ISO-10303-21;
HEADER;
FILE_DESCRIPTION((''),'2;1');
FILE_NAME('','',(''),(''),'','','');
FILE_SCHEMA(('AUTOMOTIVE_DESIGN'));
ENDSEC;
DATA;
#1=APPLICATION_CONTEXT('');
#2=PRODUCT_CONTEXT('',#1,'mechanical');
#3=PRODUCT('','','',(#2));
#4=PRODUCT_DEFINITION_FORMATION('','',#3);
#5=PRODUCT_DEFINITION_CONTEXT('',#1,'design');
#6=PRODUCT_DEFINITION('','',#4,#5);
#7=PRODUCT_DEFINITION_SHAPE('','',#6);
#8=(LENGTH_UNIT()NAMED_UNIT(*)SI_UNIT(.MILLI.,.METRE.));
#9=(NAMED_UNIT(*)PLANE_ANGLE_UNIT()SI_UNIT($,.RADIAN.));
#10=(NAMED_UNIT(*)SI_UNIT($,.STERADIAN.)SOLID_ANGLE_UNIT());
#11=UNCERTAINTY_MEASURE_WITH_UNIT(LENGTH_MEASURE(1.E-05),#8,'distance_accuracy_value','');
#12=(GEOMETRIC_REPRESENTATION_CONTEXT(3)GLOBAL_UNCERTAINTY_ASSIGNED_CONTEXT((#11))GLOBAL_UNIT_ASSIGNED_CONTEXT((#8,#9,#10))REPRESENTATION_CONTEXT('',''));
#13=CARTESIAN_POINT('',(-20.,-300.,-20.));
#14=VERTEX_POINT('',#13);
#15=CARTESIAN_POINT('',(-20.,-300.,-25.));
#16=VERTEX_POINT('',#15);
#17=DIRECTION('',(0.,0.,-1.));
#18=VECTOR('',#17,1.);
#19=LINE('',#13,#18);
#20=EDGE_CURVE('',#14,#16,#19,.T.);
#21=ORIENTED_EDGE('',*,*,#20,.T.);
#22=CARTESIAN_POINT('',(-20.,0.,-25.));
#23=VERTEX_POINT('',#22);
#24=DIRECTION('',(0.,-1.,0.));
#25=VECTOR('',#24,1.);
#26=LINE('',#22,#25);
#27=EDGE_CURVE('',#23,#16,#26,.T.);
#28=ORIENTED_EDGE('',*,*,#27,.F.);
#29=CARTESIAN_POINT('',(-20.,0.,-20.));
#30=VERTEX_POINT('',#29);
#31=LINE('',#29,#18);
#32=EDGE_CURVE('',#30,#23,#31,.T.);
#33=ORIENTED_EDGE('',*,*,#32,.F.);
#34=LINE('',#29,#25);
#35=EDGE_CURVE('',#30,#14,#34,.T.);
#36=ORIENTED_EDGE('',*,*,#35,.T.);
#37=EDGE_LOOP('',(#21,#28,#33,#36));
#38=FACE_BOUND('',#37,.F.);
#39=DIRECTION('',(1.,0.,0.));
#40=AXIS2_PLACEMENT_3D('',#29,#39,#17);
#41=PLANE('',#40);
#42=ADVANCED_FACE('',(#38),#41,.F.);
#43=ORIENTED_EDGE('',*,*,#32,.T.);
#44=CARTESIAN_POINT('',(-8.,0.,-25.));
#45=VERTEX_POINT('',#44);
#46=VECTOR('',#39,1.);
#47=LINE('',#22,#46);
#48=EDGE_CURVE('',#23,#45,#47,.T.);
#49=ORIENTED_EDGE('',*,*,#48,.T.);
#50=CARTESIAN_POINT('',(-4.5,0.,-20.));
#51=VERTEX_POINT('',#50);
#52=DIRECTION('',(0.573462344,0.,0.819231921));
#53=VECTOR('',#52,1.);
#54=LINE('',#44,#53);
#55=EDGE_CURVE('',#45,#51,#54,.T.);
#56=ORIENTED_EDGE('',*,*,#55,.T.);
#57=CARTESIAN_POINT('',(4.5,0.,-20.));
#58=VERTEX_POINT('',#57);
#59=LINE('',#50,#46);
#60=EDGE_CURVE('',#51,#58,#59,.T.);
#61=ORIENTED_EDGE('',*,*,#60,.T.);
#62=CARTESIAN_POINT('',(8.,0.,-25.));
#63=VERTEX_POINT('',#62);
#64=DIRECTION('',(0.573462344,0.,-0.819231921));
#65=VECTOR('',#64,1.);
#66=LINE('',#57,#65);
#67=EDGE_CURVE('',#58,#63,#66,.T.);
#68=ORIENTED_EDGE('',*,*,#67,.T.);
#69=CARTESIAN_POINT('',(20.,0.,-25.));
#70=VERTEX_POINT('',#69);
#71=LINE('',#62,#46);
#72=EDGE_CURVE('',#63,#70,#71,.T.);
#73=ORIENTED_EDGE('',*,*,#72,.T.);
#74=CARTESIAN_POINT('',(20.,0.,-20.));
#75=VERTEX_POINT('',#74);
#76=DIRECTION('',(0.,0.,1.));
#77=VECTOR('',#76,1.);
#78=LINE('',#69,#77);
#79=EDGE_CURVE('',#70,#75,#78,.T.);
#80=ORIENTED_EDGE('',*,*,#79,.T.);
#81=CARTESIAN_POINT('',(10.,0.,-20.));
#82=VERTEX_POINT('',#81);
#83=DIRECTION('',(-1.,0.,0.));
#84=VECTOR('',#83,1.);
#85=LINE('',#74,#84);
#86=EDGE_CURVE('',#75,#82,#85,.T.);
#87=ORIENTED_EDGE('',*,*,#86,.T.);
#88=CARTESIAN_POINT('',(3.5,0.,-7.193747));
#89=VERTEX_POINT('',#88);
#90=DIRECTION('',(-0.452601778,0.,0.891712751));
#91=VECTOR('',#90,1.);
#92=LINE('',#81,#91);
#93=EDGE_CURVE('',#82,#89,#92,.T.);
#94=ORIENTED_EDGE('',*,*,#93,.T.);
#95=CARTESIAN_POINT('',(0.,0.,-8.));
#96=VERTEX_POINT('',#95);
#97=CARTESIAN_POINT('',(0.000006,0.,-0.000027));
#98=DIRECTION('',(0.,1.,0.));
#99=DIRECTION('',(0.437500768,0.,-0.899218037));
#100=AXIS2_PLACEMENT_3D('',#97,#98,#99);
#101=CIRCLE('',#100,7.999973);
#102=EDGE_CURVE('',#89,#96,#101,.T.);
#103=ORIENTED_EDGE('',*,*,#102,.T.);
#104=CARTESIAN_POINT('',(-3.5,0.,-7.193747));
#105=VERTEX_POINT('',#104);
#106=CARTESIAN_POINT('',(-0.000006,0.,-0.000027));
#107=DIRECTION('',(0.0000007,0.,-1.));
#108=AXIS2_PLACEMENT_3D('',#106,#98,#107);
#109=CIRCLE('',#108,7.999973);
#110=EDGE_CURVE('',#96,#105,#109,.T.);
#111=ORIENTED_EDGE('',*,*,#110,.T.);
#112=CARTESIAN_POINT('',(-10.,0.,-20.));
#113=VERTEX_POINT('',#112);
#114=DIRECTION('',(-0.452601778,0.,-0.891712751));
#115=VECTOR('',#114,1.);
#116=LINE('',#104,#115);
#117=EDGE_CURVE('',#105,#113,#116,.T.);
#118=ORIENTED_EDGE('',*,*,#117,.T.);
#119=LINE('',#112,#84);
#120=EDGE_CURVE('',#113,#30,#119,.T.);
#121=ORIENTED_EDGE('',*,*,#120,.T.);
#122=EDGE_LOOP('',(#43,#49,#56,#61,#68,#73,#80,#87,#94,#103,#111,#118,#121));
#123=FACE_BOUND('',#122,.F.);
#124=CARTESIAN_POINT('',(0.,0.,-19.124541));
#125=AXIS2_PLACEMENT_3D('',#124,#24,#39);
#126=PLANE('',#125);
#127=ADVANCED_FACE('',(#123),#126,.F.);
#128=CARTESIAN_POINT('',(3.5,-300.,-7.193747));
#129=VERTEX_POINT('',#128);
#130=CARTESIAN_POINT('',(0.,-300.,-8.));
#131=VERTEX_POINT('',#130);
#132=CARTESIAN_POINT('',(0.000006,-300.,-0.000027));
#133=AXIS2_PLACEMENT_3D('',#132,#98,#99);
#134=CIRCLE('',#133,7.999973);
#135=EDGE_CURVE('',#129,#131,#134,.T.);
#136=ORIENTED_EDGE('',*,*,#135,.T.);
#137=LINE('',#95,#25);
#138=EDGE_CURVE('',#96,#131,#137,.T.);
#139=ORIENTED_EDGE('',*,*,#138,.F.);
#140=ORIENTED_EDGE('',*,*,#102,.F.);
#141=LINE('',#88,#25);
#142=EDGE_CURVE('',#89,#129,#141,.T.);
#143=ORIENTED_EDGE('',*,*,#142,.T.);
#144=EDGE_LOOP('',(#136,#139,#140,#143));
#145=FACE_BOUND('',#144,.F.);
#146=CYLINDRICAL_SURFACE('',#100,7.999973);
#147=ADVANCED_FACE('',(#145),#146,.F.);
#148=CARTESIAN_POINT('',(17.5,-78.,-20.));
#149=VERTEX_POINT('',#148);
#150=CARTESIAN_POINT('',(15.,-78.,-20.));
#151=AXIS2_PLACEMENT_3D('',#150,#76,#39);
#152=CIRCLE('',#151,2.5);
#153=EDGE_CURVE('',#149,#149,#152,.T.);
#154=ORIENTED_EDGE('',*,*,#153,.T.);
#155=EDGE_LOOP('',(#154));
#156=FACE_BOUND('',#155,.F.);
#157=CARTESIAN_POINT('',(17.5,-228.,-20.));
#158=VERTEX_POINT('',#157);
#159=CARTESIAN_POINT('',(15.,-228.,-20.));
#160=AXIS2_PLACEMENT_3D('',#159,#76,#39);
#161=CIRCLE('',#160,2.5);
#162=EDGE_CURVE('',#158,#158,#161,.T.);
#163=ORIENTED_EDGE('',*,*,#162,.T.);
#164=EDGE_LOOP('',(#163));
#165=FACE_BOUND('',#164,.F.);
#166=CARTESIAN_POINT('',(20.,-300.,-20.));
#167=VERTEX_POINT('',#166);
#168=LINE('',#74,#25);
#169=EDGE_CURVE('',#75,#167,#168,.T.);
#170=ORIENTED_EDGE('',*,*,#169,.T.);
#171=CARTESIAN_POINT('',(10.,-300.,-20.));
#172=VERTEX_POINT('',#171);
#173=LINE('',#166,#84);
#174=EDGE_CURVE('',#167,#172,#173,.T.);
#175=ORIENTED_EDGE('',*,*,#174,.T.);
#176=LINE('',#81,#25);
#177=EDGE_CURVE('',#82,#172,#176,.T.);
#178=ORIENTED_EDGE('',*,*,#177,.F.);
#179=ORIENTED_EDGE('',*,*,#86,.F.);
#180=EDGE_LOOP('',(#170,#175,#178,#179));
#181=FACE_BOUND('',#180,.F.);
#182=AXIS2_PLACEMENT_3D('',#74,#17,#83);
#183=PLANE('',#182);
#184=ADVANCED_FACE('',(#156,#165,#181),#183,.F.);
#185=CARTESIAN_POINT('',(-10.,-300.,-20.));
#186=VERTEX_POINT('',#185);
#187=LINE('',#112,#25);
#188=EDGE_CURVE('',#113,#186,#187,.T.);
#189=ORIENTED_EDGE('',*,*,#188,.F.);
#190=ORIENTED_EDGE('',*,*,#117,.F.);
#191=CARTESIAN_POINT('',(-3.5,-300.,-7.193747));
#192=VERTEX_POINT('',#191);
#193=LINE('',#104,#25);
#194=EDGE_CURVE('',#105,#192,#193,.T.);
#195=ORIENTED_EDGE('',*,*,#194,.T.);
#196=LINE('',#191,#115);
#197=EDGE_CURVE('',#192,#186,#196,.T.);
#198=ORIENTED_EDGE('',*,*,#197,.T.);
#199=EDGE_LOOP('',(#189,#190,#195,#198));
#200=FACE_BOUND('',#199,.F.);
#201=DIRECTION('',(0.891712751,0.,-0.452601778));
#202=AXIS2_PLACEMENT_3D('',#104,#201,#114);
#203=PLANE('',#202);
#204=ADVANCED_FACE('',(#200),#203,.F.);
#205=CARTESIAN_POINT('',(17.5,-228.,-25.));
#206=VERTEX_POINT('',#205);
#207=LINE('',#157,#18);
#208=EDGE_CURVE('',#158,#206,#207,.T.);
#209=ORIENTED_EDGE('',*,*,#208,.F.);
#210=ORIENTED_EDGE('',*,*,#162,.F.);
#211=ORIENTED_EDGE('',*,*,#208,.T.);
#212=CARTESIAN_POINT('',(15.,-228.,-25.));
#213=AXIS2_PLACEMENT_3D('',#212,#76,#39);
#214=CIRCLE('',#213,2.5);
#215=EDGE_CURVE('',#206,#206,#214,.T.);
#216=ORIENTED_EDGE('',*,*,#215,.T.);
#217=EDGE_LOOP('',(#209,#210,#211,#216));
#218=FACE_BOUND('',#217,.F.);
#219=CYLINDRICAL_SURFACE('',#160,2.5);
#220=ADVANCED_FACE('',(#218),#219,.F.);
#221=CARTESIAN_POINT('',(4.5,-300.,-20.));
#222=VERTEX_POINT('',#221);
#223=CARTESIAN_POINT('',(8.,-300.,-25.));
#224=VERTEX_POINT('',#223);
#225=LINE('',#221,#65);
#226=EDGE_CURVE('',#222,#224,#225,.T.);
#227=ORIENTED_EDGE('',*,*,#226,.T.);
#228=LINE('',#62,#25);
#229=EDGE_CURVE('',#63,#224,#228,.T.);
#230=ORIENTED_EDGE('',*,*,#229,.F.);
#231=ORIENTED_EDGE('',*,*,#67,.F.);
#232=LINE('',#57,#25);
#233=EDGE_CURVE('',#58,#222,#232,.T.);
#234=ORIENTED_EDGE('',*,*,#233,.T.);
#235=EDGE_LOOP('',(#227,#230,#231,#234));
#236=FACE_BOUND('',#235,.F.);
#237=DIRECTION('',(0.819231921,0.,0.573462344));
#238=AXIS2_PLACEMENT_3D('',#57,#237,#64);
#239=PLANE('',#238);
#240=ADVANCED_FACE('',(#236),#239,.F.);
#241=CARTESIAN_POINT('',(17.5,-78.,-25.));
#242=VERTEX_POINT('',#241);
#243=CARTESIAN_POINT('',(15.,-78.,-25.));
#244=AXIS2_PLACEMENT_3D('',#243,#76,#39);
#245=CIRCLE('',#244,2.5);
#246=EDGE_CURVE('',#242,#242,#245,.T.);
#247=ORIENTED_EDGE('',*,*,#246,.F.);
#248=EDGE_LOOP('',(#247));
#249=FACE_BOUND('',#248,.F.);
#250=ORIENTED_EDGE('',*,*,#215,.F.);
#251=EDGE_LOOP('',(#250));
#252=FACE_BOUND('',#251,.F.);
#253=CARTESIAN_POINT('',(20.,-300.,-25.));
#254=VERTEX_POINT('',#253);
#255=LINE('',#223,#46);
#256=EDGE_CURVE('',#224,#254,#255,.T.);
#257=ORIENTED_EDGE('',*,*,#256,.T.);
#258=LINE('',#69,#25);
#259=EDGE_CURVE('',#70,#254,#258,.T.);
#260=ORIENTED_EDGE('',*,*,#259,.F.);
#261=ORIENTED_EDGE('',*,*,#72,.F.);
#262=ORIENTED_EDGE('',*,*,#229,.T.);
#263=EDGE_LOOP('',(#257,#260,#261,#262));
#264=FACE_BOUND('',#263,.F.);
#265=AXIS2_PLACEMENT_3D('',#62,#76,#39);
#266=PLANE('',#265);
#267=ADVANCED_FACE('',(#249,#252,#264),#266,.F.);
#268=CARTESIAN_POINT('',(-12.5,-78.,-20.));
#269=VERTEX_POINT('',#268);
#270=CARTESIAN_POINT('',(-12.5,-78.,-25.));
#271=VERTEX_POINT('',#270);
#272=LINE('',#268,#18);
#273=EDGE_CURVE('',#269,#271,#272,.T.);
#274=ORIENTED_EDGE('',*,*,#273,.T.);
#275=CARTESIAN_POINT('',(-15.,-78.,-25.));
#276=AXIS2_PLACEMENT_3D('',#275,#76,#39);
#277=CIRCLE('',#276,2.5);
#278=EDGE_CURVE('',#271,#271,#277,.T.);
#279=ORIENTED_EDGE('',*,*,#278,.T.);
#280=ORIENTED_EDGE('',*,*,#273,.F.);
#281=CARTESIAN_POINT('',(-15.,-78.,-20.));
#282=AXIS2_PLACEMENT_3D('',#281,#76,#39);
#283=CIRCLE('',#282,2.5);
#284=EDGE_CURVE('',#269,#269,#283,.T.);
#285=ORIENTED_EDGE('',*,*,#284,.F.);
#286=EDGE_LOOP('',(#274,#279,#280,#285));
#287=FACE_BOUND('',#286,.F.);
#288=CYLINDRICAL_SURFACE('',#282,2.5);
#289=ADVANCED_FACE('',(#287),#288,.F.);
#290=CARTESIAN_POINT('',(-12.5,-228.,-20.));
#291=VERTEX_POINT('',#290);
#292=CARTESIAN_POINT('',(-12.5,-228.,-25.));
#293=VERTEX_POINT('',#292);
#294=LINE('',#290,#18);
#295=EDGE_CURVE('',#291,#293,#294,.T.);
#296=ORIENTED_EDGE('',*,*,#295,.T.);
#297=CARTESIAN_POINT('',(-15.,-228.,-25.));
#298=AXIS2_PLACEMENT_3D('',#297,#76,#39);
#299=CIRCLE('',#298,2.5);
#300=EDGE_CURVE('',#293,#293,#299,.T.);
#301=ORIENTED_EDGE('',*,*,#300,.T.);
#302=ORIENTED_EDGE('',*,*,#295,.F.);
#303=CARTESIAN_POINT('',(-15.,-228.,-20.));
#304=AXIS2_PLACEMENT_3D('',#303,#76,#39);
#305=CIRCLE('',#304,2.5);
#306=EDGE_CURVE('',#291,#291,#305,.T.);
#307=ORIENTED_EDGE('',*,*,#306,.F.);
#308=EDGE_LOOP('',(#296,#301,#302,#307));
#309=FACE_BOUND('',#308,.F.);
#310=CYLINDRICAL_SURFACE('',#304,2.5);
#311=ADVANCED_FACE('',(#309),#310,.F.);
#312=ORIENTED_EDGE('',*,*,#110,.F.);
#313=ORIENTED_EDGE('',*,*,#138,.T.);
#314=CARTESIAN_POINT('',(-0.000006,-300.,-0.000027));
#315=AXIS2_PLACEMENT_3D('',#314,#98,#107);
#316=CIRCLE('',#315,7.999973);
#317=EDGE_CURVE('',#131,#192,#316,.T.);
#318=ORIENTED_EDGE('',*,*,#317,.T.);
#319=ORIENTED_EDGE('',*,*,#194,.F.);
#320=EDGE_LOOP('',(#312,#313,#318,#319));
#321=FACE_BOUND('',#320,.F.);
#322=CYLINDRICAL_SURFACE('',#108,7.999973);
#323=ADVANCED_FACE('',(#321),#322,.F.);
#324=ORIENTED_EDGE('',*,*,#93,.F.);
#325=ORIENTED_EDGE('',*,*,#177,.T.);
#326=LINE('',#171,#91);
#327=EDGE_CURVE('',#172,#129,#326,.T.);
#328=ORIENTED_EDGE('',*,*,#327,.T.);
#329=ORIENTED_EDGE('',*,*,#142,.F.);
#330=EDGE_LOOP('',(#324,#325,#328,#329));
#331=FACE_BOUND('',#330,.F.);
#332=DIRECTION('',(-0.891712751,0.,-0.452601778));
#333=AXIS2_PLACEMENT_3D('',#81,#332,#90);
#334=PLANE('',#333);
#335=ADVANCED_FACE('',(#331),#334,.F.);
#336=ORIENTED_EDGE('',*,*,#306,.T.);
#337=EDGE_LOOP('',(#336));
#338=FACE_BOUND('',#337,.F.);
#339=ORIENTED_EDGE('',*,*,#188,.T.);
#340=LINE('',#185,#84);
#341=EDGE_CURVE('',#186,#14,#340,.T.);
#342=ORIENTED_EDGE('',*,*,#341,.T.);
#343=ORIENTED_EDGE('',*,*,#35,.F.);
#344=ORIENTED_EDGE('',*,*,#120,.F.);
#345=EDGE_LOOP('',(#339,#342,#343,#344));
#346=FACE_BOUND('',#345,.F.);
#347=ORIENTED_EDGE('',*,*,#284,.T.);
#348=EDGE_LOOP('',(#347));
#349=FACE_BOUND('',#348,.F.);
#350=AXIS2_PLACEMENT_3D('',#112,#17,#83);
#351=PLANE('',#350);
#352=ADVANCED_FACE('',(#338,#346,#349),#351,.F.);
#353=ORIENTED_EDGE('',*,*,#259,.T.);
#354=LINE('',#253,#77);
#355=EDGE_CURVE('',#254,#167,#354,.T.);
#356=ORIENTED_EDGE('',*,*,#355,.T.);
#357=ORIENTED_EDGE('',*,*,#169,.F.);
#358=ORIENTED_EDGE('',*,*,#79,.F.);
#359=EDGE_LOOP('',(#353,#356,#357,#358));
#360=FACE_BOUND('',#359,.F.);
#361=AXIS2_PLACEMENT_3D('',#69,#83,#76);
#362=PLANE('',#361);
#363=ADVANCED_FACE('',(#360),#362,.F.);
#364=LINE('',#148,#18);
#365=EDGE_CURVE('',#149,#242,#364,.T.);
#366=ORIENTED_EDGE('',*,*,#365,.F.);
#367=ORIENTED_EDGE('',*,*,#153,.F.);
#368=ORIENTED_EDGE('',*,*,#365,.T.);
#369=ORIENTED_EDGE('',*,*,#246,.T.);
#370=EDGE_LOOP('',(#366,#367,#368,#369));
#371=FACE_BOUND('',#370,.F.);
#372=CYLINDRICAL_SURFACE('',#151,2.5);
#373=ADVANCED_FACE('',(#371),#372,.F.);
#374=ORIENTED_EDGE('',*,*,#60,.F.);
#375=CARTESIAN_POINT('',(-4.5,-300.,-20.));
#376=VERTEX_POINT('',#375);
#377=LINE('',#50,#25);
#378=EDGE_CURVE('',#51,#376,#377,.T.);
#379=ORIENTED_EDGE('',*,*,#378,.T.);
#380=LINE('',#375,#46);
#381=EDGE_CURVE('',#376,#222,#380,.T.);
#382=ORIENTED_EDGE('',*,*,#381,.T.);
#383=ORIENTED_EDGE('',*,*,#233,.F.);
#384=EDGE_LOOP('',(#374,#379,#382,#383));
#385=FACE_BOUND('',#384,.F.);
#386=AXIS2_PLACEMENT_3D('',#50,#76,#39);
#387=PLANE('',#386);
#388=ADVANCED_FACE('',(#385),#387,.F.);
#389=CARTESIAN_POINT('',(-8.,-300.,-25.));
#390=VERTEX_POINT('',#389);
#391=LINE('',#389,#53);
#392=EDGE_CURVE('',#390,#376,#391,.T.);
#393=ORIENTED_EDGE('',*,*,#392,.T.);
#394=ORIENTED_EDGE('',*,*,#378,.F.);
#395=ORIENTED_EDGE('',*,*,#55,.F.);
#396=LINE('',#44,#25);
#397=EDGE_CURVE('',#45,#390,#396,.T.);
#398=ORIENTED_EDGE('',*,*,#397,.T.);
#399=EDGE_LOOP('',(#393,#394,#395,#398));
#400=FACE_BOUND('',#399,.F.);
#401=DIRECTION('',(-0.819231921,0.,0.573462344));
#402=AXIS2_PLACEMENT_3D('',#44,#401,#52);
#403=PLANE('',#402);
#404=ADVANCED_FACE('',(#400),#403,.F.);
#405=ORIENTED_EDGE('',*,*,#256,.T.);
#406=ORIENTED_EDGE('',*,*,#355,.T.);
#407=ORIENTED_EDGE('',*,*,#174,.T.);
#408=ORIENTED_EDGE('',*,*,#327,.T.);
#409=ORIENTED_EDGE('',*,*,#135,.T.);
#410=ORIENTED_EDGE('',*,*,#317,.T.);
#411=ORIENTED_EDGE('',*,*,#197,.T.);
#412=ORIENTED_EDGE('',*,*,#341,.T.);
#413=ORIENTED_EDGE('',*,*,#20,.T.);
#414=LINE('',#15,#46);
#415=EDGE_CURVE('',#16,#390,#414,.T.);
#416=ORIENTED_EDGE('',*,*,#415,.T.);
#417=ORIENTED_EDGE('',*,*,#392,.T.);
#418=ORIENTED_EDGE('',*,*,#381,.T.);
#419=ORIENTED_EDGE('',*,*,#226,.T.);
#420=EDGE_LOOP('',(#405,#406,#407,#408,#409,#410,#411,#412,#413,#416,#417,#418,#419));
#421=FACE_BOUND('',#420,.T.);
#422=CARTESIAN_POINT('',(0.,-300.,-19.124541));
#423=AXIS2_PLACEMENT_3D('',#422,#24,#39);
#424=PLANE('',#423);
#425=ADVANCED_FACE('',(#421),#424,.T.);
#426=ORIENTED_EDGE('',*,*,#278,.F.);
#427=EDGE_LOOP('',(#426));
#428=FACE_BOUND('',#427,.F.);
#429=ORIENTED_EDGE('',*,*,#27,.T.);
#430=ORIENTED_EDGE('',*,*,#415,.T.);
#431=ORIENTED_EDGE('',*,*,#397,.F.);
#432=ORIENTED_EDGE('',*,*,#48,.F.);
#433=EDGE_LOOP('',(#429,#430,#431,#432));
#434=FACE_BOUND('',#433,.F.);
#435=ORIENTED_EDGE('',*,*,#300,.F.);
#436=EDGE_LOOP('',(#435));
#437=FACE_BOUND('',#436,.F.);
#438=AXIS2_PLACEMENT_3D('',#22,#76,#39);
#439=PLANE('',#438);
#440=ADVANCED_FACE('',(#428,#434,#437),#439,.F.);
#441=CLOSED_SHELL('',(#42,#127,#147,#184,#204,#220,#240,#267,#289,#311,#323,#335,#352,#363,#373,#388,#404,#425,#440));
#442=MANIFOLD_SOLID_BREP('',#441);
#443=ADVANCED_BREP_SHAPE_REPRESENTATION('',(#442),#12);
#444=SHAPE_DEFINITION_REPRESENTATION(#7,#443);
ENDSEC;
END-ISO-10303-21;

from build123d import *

# Parameters (mm, degrees)
F1_DEPTH = 300
F2_R     = 2.5
F3_DEPTH = 5


with BuildPart() as f1:
    # F0 (on Front) → F1 (new body)
    with BuildSketch(Plane.XZ):
        with BuildLine():
            Line((-4.5, -20), (0, -20))
            Line((0, -20), (4.5, -20))
            Line((4.5, -20), (8, -25))
            Line((8, -25), (20, -25))
            Line((20, -25), (20, -20))
            Line((20, -20), (10, -20))
            Line((10, -20), (3.5, -7.193747))
            ThreePointArc((3.5, -7.193747), (1.795832, -7.795832), (0, -8))
            ThreePointArc((0, -8), (-1.795832, -7.795832), (-3.5, -7.193747))
            Line((-3.5, -7.193747), (-10, -20))
            Line((-10, -20), (-20, -20))
            Line((-20, -20), (-20, -25))
            Line((-20, -25), (-8, -25))
            Line((-8, -25), (-4.5, -20))
        make_face()
    extrude(amount=F1_DEPTH)

    # F2 (on face) → F3 (cut, through all)
    with BuildSketch(Plane.XY.offset(-20)):
        with Locations((15, -228)):
            Circle(F2_R)
        with Locations((15, -78)):
            Circle(F2_R)
        with Locations((-15, -78)):
            Circle(F2_R)
        with Locations((-15, -228)):
            Circle(F2_R)
    extrude(amount=-F3_DEPTH, mode=Mode.SUBTRACT)


solid = f1.part
